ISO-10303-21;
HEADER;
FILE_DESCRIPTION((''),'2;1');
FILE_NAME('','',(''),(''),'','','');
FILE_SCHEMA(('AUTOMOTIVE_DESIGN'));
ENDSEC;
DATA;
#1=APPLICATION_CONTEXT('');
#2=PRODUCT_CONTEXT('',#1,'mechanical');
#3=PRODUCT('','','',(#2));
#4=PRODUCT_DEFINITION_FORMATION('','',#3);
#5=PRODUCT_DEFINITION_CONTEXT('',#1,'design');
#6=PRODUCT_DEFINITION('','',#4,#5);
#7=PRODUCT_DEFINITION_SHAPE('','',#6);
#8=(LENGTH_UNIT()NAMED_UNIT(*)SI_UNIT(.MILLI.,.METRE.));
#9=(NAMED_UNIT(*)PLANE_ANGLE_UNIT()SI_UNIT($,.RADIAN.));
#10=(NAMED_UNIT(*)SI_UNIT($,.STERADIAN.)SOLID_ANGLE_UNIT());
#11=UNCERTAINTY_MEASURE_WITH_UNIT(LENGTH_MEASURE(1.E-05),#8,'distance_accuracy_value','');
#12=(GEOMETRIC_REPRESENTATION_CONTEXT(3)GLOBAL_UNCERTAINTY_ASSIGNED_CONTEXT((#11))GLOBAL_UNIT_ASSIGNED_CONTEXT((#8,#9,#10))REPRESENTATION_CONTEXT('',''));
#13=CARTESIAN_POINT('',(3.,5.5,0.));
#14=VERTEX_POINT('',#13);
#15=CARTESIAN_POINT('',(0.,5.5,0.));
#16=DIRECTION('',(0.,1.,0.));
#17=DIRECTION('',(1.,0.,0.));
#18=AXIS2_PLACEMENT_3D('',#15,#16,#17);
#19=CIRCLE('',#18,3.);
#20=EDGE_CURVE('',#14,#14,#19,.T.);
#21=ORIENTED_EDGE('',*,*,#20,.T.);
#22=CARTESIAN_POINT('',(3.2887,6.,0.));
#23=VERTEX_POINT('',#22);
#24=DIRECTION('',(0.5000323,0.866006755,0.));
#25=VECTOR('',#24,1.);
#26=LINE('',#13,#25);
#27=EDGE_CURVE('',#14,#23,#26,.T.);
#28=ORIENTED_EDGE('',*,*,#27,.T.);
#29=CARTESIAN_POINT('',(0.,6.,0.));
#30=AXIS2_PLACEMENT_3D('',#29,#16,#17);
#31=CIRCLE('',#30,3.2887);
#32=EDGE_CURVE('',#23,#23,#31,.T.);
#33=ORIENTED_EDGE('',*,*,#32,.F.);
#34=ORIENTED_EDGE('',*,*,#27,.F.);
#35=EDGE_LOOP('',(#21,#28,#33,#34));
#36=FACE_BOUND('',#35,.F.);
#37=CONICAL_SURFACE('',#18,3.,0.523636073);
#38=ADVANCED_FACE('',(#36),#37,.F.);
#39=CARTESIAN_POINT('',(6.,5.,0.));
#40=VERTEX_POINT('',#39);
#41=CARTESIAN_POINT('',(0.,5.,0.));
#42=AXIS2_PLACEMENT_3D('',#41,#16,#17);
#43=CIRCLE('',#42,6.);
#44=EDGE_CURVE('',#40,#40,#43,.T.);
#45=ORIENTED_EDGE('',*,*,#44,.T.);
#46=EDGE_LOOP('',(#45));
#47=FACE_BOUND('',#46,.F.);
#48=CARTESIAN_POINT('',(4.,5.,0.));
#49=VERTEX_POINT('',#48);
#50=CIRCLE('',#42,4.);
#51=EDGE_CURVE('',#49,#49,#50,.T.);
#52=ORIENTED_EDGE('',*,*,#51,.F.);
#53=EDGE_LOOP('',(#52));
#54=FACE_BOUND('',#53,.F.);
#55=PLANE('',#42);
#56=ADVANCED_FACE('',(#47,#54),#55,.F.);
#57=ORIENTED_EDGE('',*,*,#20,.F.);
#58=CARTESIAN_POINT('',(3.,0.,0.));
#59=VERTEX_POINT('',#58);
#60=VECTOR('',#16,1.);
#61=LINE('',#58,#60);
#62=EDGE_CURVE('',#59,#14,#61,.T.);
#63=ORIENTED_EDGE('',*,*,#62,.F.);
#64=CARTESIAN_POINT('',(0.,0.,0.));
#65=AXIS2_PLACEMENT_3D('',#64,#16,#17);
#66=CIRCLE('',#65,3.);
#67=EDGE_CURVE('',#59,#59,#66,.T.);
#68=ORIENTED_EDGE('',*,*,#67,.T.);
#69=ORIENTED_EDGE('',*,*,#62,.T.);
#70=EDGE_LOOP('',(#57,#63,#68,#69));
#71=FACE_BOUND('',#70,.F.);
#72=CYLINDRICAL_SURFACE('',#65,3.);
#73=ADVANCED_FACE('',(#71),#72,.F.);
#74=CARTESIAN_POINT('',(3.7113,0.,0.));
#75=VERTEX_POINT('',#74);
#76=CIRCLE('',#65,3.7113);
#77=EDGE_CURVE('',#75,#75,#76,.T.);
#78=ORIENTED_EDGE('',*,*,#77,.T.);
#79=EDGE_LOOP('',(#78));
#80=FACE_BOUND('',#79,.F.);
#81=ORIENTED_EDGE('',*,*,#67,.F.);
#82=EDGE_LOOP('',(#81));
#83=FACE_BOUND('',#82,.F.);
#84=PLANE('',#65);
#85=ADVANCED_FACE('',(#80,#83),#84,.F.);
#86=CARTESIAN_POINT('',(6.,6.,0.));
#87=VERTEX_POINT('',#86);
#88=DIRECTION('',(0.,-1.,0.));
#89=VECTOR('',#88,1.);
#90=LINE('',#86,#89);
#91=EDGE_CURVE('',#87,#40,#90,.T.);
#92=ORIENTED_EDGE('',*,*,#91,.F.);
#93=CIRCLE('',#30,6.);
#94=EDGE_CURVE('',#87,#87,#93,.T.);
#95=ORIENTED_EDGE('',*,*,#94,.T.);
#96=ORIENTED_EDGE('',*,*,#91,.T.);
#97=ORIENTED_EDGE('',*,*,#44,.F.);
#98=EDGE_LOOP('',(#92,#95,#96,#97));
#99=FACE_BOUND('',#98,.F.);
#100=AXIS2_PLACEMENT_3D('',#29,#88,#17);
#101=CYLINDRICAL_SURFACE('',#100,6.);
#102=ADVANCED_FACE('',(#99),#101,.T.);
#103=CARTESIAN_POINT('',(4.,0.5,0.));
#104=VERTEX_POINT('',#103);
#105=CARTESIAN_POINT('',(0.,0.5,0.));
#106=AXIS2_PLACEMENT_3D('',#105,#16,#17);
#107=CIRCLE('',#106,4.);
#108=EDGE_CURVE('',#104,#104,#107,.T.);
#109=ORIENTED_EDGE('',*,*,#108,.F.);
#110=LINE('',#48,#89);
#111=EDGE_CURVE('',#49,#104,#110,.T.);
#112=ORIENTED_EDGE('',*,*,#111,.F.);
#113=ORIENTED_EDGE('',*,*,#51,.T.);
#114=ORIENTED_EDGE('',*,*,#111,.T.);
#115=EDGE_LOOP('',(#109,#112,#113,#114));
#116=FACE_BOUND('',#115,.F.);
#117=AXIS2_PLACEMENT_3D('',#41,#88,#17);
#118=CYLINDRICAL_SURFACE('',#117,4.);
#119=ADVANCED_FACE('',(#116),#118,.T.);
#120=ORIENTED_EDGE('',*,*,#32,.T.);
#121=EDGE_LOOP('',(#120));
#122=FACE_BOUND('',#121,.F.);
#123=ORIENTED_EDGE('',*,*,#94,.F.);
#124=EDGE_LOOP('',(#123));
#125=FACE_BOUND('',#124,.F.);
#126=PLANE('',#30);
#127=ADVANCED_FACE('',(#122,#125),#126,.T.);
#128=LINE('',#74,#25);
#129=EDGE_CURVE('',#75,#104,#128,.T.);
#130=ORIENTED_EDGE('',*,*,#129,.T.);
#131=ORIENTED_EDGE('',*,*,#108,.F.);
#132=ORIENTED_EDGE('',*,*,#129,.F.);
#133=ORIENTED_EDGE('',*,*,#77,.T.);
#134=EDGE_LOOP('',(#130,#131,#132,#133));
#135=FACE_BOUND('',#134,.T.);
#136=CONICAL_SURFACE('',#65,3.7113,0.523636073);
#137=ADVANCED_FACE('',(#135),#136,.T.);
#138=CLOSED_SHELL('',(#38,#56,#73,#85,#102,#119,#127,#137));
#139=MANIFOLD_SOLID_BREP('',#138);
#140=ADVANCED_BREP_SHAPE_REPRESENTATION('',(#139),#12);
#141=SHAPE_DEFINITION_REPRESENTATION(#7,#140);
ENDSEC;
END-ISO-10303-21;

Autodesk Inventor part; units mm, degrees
ref_plane "YZ Plane" through (0, 0, 0) normal (1, 0, 0) x (0, 1, 0)
ref_plane "XZ Plane" through (0, 0, 0) normal (0, 1, 0) x (-1, 0, 0)
ref_plane "XY Plane" through (0, 0, 0) normal (0, 0, 1) x (1, 0, 0)
sketch "Szkic1" plane through (0, 0, 0) normal (0, 0, 1) x (1, 0, 0)
  line L0 (0, 0) -> (3, 0) construction
  line L1 (3, 0) -> (3, 5.5)
  line L2 (3, 5.5) -> (3.2887, 6)
  line L3 (3.2887, 6) -> (6, 6)
  line L4 (6, 6) -> (6, 5)
  line L5 (6, 5) -> (4, 5)
  line L6 (4, 5) -> (4, 0.5)
  line L7 (3.7113, 0) -> (3, 0)
  line L8 (3.7113, 0) -> (4, 0.5)
  line L9 (0, -1.2) -> (0, 7.2) projected
  dimension "d0" = 3
  dimension "d1" = 4
  dimension "d2" = 0.5
  dimension "d3" = 30
  dimension "d4" = 1
  dimension "d5" = 6
  dimension "d6" = 6
revolve "Obrót1" add sketch "Szkic1" angle 360 about axis through (0, -10, 0) along (0, 1, 0)
properties part number "Lozysko GFM-0608-06"
